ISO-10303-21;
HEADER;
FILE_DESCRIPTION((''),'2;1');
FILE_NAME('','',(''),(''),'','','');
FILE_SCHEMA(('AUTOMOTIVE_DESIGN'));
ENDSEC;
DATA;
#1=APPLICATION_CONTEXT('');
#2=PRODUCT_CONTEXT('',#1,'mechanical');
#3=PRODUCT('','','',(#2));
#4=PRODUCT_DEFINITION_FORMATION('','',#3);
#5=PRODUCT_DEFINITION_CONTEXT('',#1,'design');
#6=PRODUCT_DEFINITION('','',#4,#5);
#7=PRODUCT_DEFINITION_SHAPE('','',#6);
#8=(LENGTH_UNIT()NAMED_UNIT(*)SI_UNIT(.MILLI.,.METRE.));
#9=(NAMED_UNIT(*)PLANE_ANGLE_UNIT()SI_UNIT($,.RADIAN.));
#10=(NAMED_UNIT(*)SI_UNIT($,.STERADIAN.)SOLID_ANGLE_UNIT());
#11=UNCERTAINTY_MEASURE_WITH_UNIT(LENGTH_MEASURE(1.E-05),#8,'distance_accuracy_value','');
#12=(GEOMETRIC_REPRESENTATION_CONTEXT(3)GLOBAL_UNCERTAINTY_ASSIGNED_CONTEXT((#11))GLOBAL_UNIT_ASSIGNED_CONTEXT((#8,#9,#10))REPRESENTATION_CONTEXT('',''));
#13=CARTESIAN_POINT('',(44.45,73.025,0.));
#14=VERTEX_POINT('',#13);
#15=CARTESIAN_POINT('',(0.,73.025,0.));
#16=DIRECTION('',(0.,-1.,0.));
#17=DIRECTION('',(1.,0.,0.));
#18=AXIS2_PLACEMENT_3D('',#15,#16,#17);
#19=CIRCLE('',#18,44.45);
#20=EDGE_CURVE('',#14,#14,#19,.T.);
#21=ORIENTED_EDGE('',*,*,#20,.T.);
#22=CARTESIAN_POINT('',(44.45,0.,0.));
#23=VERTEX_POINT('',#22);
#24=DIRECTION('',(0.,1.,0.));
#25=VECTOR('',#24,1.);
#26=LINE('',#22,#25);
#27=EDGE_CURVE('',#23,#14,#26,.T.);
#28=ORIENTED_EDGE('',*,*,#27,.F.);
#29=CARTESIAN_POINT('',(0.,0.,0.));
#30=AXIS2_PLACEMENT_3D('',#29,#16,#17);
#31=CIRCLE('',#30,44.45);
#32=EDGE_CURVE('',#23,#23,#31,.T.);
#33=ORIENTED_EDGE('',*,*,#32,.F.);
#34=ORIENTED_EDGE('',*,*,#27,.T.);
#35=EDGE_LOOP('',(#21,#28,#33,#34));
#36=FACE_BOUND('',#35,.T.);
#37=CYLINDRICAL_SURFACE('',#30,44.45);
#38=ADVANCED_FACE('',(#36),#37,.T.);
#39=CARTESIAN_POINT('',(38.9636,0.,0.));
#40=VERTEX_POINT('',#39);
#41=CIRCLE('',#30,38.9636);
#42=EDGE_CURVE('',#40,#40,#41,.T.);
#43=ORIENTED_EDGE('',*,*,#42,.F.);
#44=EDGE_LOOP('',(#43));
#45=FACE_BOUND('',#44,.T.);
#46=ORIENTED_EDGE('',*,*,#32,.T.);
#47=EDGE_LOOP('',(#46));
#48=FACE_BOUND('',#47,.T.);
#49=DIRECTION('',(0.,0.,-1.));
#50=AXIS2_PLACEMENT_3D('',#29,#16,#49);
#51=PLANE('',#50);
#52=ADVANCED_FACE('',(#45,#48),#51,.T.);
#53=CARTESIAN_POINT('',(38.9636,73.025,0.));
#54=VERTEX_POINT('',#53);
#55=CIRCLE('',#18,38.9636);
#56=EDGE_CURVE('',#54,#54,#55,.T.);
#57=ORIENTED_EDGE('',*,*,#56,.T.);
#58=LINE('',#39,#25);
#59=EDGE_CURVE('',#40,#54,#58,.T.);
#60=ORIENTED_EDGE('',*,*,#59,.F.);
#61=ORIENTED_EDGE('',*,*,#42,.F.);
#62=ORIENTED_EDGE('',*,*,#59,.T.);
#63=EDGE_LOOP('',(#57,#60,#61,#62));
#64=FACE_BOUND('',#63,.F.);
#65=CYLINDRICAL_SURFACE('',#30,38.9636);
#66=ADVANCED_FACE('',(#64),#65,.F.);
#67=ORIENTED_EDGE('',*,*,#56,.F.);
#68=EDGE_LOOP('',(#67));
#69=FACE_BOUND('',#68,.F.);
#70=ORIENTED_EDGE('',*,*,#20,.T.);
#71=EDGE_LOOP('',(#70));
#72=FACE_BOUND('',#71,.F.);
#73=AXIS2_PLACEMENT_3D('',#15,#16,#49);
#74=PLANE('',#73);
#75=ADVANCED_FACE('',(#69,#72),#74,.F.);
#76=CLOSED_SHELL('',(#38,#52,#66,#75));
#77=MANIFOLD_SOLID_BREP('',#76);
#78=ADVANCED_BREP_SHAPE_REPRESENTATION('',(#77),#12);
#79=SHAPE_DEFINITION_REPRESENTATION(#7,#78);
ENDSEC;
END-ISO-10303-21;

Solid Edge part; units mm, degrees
sketch "Sketch1" plane through (0, 0, 0) normal (0, -1, 0) x (1, 0, 0)
  circle A0 centre (0, 0) radius 38.9636
  circle A1 centre (0, 0) radius 44.45
  dimension "D1" = 88.9
  dimension "D2" = 5.4864
  dimension "D3" = 155.8544
extrude "Protrusion1" add sketch "Sketch1" against normal blind 73.025
